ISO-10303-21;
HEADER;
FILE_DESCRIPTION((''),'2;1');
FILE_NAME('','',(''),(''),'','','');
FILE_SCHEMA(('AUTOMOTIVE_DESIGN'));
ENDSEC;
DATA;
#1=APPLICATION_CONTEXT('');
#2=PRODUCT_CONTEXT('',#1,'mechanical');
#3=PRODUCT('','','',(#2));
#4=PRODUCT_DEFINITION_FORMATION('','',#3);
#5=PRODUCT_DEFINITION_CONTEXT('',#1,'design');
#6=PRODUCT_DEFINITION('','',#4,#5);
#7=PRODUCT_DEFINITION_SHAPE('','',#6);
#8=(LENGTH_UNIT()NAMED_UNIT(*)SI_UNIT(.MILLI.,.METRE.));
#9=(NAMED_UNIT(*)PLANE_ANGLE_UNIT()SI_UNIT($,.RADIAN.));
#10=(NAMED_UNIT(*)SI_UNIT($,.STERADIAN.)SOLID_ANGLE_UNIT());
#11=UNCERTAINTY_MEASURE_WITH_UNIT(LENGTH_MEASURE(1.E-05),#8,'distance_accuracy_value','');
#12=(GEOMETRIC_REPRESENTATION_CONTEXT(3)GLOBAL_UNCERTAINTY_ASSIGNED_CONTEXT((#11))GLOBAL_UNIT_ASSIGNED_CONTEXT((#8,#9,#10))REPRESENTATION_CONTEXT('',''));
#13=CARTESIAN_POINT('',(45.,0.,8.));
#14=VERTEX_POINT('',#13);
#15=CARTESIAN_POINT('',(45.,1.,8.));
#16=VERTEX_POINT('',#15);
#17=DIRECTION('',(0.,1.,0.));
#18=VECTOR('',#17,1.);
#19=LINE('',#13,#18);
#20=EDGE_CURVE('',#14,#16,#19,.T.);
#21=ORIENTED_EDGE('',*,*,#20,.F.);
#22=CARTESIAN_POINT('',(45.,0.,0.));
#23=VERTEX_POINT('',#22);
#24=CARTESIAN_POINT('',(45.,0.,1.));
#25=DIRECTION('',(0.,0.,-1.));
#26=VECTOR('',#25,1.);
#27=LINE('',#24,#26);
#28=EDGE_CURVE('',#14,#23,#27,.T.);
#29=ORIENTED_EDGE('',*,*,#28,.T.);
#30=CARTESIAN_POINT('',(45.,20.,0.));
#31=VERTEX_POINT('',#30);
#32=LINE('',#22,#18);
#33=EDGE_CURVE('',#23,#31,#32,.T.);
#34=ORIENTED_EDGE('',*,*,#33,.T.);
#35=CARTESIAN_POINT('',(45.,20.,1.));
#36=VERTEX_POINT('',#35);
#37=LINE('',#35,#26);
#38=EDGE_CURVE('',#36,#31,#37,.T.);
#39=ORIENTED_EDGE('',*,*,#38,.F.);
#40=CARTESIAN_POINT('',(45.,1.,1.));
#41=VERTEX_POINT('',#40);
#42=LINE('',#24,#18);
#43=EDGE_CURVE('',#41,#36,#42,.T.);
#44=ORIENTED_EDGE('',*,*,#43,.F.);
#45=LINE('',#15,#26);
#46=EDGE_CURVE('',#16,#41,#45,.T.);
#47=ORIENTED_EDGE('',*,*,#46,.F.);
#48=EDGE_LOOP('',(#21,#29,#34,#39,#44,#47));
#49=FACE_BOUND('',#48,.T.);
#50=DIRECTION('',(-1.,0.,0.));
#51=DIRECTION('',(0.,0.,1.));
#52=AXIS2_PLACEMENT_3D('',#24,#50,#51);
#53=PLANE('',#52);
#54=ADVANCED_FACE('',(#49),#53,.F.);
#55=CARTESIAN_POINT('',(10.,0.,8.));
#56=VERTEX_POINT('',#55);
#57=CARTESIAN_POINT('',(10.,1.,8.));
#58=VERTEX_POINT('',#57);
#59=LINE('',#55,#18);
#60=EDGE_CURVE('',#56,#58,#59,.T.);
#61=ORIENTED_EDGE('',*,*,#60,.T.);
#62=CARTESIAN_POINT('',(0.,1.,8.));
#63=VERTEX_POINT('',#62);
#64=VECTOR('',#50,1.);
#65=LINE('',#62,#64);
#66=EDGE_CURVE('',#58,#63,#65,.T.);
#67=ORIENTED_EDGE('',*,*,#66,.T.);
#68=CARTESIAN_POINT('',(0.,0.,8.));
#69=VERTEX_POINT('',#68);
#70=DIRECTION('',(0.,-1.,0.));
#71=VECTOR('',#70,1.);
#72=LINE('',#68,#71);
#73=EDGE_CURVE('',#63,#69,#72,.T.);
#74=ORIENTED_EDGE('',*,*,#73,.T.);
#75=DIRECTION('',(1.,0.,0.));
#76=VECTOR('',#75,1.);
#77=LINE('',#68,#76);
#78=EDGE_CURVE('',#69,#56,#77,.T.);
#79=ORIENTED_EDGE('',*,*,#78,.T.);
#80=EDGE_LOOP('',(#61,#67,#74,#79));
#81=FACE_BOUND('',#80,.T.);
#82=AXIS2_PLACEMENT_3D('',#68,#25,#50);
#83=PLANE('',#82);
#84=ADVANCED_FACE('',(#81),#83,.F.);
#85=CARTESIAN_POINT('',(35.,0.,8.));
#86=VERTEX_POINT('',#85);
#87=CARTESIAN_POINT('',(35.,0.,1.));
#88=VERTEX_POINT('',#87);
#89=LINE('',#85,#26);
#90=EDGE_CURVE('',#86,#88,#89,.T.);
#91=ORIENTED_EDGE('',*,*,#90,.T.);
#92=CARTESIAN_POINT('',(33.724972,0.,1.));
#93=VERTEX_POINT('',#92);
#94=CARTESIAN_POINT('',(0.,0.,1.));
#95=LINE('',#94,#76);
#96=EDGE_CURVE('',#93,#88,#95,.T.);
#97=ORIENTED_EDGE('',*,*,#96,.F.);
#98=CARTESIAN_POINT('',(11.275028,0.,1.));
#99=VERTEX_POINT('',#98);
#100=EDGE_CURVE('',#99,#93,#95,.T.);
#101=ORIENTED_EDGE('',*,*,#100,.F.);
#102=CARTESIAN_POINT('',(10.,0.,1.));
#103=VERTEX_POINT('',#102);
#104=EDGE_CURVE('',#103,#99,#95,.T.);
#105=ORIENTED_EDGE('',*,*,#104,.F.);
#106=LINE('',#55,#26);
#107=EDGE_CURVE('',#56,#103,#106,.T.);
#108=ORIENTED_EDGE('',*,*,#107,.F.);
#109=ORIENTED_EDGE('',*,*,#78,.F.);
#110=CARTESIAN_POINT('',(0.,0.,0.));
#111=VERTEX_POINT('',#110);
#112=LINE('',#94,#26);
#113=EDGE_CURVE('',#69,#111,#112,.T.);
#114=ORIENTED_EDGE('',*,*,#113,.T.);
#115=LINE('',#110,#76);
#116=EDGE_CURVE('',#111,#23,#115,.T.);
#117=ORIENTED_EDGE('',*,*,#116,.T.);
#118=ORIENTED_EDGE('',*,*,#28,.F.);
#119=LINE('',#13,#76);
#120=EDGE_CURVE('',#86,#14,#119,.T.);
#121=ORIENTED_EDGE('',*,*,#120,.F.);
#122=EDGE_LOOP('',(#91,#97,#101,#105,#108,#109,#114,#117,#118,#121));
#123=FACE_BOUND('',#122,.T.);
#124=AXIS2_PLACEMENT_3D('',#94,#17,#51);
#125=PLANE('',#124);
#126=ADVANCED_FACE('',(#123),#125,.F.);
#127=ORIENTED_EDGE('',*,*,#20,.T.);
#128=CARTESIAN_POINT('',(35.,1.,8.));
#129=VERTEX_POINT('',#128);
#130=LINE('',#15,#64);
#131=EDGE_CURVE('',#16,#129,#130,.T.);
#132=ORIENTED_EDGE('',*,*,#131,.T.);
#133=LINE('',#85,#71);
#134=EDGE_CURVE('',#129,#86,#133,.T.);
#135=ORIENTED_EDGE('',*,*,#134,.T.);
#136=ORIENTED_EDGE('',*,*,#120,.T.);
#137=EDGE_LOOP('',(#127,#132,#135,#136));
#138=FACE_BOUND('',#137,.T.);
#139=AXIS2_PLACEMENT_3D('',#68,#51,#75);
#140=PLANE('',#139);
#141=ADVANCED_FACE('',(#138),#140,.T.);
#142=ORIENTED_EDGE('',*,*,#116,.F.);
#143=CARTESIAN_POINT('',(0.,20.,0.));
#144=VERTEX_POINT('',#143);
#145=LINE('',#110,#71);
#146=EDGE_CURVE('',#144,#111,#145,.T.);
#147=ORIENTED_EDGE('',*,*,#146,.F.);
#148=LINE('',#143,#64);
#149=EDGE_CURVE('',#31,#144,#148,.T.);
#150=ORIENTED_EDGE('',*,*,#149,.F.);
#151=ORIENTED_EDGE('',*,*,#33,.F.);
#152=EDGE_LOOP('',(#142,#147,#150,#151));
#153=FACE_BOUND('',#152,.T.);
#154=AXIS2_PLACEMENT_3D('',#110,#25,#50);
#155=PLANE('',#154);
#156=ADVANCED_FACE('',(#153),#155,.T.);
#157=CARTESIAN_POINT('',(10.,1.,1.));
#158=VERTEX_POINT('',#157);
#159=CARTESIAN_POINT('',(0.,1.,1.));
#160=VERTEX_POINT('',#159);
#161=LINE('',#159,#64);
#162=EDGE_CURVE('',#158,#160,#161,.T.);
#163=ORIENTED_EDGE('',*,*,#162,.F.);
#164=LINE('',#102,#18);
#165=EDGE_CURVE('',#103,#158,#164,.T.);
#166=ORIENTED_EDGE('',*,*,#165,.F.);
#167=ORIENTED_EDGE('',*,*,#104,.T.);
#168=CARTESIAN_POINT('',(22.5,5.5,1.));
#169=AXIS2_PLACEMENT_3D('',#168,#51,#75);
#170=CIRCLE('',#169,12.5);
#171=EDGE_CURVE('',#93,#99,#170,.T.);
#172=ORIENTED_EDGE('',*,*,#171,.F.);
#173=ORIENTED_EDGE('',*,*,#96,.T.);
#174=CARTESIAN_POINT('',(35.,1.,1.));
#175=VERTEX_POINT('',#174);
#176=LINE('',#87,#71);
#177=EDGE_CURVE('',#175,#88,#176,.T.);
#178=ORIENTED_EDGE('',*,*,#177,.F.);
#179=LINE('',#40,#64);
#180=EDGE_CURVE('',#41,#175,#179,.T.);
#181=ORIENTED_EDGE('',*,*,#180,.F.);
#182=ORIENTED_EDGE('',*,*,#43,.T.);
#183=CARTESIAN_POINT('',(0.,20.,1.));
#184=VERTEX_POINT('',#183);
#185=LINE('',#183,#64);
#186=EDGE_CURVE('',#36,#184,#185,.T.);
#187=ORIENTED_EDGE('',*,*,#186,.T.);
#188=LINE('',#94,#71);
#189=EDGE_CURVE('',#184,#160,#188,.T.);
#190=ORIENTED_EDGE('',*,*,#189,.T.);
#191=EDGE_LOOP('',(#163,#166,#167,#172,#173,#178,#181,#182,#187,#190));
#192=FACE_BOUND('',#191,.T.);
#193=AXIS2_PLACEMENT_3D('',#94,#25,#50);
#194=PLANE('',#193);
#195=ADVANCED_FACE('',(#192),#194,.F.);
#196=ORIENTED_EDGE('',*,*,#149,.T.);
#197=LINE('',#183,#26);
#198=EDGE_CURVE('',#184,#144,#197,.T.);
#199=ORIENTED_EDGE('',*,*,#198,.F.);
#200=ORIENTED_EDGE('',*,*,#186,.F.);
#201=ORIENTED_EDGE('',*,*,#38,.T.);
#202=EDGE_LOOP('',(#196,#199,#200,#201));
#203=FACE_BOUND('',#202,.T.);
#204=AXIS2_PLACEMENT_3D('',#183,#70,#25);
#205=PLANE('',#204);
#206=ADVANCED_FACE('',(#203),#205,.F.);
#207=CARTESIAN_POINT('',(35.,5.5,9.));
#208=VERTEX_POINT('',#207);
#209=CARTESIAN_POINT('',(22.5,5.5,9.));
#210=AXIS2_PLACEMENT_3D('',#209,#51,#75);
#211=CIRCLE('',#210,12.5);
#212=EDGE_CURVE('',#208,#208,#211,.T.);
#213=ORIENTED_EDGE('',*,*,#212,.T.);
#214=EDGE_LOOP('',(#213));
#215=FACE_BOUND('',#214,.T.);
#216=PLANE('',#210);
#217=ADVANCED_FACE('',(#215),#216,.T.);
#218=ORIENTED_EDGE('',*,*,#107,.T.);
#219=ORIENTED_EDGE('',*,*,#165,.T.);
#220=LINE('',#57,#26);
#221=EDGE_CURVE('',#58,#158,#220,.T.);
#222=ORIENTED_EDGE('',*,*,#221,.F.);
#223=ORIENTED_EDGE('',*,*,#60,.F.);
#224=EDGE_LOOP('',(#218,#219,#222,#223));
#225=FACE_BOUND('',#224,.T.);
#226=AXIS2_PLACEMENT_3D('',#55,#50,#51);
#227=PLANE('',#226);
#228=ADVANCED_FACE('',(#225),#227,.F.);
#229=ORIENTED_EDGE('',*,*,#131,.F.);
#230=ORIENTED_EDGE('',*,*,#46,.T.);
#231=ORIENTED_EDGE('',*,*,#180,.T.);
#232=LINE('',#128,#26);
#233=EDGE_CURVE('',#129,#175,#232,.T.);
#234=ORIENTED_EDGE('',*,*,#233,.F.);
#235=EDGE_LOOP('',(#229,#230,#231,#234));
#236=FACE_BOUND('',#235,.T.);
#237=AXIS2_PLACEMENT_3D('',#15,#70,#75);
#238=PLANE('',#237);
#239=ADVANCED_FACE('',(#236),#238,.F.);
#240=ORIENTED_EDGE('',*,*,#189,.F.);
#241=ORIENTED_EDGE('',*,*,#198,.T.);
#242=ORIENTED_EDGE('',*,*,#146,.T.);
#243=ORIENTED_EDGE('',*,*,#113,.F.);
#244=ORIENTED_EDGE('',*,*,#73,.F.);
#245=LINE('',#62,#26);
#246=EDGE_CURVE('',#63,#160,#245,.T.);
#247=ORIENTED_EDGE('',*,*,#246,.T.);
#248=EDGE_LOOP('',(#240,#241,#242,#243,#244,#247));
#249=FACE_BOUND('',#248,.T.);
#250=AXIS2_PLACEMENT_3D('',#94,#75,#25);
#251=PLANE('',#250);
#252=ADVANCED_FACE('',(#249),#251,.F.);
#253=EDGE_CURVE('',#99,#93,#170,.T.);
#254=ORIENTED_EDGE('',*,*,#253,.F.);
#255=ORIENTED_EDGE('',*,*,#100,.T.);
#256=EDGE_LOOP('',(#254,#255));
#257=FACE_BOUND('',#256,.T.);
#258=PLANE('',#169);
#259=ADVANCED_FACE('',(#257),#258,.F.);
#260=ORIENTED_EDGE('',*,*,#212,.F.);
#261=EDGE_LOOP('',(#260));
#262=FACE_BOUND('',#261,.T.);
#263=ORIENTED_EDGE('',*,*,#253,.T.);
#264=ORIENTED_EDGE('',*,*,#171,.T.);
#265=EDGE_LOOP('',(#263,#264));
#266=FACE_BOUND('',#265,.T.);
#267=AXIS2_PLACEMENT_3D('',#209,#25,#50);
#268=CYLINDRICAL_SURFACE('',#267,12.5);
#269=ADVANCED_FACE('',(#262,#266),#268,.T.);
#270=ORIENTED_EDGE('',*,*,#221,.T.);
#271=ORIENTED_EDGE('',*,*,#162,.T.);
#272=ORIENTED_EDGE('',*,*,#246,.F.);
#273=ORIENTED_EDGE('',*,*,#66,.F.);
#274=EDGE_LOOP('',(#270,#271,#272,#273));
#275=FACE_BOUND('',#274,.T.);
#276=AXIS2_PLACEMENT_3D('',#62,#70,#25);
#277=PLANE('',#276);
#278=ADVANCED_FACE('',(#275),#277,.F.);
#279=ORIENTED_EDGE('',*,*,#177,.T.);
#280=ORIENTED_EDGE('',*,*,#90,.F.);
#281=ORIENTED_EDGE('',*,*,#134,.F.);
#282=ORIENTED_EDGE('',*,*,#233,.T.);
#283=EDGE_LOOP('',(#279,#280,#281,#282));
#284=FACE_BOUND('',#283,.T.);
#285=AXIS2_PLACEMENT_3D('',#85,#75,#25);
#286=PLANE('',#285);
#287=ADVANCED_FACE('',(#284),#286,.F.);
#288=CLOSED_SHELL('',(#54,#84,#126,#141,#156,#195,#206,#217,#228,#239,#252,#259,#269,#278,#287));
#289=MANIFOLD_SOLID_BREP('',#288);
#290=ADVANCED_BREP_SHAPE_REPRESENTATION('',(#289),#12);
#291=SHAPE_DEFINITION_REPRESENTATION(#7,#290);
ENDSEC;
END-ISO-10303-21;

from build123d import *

# Parameters (mm, degrees)
SKETCH2_W           = 45
SKETCH2_H           = 20
BOSS_EXTRUDE1_DEPTH = 1
SKETCH3_R           = 12.5
BOSS_EXTRUDE4_DEPTH = 8
SKETCH6_W           = 10
SKETCH6_H           = 1
BOSS_EXTRUDE5_DEPTH = 7


with BuildPart() as part:
    # Sketch2 → Boss-Extrude1 (new body)
    with BuildSketch(Plane.XY):
        with Locations((22.5, 10)):
            Rectangle(SKETCH2_W, SKETCH2_H)
    extrude(amount=BOSS_EXTRUDE1_DEPTH)

    # Sketch3 → Boss-Extrude4 (add)
    with BuildSketch(Plane.XY.offset(1)):
        with Locations(Location((22.5, 5.5, 0), (0, 0, 206.103881137))):
            Circle(SKETCH3_R)
    extrude(amount=BOSS_EXTRUDE4_DEPTH)

    # Sketch6 → Boss-Extrude5 (add)
    with BuildSketch(Plane.XY.offset(1)):
        with Locations((5, 0.5)):
            Rectangle(SKETCH6_W, SKETCH6_H)
        with Locations((40, 0.5)):
            Rectangle(SKETCH6_W, SKETCH6_H)
    extrude(amount=BOSS_EXTRUDE5_DEPTH)


solid = part.part
